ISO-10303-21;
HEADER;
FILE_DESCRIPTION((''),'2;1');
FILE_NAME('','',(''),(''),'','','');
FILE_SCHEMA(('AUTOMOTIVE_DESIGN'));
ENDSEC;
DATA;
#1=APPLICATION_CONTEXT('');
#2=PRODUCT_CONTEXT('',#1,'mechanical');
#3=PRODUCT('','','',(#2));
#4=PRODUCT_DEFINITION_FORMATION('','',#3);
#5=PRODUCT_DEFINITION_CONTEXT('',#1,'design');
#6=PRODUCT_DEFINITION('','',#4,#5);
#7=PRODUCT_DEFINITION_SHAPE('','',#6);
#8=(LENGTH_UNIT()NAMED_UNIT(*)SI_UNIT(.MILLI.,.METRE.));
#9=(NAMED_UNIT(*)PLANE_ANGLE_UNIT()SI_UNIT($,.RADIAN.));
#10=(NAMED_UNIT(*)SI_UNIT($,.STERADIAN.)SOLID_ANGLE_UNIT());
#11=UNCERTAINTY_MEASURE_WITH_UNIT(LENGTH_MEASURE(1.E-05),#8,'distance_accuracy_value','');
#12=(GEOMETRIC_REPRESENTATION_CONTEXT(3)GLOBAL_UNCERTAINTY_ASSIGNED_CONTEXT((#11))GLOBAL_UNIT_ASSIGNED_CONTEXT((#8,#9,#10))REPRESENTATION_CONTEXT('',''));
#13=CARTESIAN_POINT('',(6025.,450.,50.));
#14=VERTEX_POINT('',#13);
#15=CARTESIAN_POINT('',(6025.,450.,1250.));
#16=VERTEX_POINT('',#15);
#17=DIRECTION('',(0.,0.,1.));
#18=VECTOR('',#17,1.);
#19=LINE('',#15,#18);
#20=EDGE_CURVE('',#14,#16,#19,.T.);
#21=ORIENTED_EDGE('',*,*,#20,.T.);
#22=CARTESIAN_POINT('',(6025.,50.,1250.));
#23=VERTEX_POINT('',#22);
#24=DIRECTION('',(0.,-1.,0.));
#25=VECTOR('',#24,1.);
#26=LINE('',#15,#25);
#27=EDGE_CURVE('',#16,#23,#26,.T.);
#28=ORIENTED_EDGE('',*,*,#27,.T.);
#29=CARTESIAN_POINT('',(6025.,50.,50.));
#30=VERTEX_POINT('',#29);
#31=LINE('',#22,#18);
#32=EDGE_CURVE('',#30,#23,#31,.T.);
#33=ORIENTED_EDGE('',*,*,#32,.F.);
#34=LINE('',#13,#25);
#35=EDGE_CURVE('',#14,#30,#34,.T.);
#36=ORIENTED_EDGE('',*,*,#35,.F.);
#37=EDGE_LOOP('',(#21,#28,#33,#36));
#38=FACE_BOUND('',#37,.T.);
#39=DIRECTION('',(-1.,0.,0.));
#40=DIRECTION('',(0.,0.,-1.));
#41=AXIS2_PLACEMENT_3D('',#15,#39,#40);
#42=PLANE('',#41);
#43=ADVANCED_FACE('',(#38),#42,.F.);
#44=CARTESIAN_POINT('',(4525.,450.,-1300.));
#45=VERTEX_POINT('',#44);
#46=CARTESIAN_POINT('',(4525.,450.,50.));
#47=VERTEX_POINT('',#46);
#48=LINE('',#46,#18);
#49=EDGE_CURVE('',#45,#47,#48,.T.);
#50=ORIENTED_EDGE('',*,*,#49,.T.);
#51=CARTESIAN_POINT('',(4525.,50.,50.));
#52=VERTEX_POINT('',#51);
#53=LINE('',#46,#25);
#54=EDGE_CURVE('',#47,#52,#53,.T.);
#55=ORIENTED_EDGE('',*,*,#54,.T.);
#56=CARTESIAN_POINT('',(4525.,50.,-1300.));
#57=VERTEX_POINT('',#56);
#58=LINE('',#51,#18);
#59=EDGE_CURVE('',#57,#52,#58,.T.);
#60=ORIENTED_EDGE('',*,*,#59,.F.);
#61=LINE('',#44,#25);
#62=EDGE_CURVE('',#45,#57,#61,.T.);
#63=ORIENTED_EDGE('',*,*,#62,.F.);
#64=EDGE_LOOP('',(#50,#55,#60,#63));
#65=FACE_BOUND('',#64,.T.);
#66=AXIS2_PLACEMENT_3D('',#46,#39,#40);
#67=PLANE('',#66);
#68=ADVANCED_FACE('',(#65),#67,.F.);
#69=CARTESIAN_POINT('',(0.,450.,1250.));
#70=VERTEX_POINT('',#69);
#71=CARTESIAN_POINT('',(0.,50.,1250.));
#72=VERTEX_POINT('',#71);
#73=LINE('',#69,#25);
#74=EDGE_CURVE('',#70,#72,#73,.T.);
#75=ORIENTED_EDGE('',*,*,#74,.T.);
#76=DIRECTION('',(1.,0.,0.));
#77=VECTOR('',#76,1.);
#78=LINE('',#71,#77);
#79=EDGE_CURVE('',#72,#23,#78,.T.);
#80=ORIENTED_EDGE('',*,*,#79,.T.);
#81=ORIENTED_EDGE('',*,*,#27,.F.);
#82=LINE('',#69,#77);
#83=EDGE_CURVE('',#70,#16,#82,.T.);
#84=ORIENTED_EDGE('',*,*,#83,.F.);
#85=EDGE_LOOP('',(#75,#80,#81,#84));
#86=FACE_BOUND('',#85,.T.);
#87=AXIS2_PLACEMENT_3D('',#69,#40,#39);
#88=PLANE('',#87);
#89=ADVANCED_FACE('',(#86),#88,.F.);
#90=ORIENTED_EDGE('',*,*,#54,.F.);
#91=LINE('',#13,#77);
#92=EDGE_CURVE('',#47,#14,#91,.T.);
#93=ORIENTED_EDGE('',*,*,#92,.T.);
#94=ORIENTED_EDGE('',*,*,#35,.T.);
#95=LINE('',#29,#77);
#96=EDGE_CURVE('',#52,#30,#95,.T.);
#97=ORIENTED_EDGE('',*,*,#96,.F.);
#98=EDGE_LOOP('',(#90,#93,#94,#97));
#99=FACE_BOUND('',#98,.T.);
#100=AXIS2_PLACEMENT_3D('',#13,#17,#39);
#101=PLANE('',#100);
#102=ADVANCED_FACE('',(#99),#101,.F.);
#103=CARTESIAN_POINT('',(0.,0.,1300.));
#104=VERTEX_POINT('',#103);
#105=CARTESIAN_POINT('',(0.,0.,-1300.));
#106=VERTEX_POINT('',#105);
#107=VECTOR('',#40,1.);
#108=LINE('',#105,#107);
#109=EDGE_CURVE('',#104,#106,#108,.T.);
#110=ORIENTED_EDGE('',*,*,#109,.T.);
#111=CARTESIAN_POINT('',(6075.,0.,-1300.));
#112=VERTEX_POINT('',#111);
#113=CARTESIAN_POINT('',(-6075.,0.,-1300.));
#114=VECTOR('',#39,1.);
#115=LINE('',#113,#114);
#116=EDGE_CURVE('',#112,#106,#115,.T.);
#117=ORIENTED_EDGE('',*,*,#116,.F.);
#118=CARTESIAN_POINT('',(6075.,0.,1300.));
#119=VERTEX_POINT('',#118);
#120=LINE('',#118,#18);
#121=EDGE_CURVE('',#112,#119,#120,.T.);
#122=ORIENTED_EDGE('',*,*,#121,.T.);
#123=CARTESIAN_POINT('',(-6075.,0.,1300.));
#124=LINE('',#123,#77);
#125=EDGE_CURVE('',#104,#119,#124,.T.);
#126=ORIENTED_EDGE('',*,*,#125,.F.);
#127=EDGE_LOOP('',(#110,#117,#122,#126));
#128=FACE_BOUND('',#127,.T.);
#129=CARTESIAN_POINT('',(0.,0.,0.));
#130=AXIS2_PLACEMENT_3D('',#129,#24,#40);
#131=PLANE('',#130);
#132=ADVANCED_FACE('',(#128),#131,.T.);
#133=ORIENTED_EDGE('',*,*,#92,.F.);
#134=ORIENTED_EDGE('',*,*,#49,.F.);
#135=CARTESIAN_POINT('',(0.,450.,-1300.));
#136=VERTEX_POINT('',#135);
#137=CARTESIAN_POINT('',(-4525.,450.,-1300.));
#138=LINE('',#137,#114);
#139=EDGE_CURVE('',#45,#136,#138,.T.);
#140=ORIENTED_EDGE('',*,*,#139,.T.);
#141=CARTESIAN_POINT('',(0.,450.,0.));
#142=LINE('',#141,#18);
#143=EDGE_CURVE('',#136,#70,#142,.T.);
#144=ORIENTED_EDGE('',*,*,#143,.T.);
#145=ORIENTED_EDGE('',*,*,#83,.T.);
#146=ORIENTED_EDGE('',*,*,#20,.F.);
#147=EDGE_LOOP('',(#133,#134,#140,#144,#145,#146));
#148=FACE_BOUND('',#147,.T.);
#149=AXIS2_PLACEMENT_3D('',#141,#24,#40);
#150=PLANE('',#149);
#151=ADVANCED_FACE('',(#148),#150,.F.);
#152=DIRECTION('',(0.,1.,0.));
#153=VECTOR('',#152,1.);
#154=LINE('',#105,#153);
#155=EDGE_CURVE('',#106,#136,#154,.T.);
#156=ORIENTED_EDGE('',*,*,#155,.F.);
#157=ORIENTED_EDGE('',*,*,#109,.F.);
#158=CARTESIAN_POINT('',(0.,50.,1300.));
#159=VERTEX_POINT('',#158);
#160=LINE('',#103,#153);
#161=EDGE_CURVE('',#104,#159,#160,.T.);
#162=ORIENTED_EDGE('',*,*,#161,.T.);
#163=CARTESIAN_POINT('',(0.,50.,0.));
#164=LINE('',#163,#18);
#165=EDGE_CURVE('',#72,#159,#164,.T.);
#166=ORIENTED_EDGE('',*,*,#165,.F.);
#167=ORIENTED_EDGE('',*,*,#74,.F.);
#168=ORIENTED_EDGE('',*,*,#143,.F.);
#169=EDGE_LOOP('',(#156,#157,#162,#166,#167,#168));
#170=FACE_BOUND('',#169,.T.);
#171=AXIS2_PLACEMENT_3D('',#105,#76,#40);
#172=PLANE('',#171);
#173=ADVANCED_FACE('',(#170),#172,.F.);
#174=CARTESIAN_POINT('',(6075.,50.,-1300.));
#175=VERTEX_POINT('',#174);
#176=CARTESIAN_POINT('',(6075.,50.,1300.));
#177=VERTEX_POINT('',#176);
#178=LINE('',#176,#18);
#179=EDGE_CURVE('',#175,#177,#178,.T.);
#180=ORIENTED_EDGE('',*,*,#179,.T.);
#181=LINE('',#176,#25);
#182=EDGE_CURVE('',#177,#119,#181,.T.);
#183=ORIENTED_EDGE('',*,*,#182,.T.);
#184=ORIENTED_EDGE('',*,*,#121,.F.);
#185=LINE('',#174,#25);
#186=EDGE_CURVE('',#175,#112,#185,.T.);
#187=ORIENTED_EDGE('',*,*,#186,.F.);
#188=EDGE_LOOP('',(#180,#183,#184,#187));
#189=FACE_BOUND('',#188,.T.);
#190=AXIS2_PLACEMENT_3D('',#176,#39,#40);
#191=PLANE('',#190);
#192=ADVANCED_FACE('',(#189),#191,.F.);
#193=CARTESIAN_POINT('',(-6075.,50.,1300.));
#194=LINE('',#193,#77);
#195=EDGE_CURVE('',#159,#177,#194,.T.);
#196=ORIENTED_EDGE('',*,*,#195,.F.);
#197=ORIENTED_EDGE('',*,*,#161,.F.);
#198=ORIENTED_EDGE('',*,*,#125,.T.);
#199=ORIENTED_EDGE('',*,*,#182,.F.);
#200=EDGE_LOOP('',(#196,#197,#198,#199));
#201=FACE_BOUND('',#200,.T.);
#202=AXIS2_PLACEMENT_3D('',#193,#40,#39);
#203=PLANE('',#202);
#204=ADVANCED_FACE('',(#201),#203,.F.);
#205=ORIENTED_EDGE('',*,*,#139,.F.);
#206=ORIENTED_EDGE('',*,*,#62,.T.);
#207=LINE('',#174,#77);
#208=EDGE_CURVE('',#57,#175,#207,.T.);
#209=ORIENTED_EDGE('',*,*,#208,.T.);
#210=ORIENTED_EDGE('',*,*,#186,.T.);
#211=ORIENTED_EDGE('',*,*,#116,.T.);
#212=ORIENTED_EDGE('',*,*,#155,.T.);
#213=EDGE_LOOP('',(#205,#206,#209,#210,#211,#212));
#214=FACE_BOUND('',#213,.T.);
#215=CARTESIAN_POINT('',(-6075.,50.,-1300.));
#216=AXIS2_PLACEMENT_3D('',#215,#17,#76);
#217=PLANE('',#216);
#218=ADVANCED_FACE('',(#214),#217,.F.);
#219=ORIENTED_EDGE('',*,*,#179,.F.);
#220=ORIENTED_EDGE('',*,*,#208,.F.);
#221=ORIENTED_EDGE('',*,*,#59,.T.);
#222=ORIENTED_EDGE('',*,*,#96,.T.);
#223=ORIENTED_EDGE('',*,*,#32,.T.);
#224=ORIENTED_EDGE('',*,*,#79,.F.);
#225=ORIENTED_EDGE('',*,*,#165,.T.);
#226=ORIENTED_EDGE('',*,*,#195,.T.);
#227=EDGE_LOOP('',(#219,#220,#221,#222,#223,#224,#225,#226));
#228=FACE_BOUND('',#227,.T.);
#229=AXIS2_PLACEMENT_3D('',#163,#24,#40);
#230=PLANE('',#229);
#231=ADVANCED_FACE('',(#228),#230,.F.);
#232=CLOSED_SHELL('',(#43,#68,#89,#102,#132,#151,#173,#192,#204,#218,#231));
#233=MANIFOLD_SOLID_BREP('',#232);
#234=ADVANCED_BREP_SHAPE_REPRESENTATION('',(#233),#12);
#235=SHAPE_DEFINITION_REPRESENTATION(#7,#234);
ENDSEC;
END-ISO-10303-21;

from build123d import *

# Parameters (mm, degrees)
SKETCH_1_W          = 6075
SKETCH_1_H          = 2600
EXTRUDE_1_DEPTH     = 50
EXTRUDE_2_DEPTH     = 400
SKETCH_3_W          = 6075
SKETCH_3_H          = 2600
CUT_EXTRUDE_1_DEPTH = 6229.814092586


with BuildPart() as part:
    # 草图1 → 凸台-拉伸1 (new body)
    with BuildSketch(Plane(origin=(0, 0, 0), x_dir=(1, 0, 0), z_dir=(0, 1, 0))):
        with Locations((-3037.5, 0)):
            Rectangle(SKETCH_1_W, SKETCH_1_H)
    extrude(amount=EXTRUDE_1_DEPTH)

    # 草图2 → 凸台-拉伸2 (add)
    with BuildSketch(Plane(origin=(0, 50, 0), x_dir=(1, 0, 0), z_dir=(0, 1, 0))):
        Polygon((0, 1300), (0, -1250), (-6025, -1250), (-6025, -50), (-4525, -50), (-4525, 1300), align=None)
    extrude(amount=EXTRUDE_2_DEPTH)

    # 镜向1: part across plane


with BuildPart() as part_1:
    add(part.part)
    add(part.part.mirror(Plane(origin=(0, 50, 1300), x_dir=(0, 0, 1), z_dir=(-1, 0, 0))))

    # 草图3 → 切除-拉伸1 (cut, through all)
    with BuildSketch(Plane(origin=(0, 450, 0), x_dir=(1, 0, 0), z_dir=(0, 1, 0))):
        with Locations((-3037.5, 0)):
            Rectangle(SKETCH_3_W, SKETCH_3_H)
    extrude(amount=-CUT_EXTRUDE_1_DEPTH, mode=Mode.SUBTRACT)


solid = part_1.part
